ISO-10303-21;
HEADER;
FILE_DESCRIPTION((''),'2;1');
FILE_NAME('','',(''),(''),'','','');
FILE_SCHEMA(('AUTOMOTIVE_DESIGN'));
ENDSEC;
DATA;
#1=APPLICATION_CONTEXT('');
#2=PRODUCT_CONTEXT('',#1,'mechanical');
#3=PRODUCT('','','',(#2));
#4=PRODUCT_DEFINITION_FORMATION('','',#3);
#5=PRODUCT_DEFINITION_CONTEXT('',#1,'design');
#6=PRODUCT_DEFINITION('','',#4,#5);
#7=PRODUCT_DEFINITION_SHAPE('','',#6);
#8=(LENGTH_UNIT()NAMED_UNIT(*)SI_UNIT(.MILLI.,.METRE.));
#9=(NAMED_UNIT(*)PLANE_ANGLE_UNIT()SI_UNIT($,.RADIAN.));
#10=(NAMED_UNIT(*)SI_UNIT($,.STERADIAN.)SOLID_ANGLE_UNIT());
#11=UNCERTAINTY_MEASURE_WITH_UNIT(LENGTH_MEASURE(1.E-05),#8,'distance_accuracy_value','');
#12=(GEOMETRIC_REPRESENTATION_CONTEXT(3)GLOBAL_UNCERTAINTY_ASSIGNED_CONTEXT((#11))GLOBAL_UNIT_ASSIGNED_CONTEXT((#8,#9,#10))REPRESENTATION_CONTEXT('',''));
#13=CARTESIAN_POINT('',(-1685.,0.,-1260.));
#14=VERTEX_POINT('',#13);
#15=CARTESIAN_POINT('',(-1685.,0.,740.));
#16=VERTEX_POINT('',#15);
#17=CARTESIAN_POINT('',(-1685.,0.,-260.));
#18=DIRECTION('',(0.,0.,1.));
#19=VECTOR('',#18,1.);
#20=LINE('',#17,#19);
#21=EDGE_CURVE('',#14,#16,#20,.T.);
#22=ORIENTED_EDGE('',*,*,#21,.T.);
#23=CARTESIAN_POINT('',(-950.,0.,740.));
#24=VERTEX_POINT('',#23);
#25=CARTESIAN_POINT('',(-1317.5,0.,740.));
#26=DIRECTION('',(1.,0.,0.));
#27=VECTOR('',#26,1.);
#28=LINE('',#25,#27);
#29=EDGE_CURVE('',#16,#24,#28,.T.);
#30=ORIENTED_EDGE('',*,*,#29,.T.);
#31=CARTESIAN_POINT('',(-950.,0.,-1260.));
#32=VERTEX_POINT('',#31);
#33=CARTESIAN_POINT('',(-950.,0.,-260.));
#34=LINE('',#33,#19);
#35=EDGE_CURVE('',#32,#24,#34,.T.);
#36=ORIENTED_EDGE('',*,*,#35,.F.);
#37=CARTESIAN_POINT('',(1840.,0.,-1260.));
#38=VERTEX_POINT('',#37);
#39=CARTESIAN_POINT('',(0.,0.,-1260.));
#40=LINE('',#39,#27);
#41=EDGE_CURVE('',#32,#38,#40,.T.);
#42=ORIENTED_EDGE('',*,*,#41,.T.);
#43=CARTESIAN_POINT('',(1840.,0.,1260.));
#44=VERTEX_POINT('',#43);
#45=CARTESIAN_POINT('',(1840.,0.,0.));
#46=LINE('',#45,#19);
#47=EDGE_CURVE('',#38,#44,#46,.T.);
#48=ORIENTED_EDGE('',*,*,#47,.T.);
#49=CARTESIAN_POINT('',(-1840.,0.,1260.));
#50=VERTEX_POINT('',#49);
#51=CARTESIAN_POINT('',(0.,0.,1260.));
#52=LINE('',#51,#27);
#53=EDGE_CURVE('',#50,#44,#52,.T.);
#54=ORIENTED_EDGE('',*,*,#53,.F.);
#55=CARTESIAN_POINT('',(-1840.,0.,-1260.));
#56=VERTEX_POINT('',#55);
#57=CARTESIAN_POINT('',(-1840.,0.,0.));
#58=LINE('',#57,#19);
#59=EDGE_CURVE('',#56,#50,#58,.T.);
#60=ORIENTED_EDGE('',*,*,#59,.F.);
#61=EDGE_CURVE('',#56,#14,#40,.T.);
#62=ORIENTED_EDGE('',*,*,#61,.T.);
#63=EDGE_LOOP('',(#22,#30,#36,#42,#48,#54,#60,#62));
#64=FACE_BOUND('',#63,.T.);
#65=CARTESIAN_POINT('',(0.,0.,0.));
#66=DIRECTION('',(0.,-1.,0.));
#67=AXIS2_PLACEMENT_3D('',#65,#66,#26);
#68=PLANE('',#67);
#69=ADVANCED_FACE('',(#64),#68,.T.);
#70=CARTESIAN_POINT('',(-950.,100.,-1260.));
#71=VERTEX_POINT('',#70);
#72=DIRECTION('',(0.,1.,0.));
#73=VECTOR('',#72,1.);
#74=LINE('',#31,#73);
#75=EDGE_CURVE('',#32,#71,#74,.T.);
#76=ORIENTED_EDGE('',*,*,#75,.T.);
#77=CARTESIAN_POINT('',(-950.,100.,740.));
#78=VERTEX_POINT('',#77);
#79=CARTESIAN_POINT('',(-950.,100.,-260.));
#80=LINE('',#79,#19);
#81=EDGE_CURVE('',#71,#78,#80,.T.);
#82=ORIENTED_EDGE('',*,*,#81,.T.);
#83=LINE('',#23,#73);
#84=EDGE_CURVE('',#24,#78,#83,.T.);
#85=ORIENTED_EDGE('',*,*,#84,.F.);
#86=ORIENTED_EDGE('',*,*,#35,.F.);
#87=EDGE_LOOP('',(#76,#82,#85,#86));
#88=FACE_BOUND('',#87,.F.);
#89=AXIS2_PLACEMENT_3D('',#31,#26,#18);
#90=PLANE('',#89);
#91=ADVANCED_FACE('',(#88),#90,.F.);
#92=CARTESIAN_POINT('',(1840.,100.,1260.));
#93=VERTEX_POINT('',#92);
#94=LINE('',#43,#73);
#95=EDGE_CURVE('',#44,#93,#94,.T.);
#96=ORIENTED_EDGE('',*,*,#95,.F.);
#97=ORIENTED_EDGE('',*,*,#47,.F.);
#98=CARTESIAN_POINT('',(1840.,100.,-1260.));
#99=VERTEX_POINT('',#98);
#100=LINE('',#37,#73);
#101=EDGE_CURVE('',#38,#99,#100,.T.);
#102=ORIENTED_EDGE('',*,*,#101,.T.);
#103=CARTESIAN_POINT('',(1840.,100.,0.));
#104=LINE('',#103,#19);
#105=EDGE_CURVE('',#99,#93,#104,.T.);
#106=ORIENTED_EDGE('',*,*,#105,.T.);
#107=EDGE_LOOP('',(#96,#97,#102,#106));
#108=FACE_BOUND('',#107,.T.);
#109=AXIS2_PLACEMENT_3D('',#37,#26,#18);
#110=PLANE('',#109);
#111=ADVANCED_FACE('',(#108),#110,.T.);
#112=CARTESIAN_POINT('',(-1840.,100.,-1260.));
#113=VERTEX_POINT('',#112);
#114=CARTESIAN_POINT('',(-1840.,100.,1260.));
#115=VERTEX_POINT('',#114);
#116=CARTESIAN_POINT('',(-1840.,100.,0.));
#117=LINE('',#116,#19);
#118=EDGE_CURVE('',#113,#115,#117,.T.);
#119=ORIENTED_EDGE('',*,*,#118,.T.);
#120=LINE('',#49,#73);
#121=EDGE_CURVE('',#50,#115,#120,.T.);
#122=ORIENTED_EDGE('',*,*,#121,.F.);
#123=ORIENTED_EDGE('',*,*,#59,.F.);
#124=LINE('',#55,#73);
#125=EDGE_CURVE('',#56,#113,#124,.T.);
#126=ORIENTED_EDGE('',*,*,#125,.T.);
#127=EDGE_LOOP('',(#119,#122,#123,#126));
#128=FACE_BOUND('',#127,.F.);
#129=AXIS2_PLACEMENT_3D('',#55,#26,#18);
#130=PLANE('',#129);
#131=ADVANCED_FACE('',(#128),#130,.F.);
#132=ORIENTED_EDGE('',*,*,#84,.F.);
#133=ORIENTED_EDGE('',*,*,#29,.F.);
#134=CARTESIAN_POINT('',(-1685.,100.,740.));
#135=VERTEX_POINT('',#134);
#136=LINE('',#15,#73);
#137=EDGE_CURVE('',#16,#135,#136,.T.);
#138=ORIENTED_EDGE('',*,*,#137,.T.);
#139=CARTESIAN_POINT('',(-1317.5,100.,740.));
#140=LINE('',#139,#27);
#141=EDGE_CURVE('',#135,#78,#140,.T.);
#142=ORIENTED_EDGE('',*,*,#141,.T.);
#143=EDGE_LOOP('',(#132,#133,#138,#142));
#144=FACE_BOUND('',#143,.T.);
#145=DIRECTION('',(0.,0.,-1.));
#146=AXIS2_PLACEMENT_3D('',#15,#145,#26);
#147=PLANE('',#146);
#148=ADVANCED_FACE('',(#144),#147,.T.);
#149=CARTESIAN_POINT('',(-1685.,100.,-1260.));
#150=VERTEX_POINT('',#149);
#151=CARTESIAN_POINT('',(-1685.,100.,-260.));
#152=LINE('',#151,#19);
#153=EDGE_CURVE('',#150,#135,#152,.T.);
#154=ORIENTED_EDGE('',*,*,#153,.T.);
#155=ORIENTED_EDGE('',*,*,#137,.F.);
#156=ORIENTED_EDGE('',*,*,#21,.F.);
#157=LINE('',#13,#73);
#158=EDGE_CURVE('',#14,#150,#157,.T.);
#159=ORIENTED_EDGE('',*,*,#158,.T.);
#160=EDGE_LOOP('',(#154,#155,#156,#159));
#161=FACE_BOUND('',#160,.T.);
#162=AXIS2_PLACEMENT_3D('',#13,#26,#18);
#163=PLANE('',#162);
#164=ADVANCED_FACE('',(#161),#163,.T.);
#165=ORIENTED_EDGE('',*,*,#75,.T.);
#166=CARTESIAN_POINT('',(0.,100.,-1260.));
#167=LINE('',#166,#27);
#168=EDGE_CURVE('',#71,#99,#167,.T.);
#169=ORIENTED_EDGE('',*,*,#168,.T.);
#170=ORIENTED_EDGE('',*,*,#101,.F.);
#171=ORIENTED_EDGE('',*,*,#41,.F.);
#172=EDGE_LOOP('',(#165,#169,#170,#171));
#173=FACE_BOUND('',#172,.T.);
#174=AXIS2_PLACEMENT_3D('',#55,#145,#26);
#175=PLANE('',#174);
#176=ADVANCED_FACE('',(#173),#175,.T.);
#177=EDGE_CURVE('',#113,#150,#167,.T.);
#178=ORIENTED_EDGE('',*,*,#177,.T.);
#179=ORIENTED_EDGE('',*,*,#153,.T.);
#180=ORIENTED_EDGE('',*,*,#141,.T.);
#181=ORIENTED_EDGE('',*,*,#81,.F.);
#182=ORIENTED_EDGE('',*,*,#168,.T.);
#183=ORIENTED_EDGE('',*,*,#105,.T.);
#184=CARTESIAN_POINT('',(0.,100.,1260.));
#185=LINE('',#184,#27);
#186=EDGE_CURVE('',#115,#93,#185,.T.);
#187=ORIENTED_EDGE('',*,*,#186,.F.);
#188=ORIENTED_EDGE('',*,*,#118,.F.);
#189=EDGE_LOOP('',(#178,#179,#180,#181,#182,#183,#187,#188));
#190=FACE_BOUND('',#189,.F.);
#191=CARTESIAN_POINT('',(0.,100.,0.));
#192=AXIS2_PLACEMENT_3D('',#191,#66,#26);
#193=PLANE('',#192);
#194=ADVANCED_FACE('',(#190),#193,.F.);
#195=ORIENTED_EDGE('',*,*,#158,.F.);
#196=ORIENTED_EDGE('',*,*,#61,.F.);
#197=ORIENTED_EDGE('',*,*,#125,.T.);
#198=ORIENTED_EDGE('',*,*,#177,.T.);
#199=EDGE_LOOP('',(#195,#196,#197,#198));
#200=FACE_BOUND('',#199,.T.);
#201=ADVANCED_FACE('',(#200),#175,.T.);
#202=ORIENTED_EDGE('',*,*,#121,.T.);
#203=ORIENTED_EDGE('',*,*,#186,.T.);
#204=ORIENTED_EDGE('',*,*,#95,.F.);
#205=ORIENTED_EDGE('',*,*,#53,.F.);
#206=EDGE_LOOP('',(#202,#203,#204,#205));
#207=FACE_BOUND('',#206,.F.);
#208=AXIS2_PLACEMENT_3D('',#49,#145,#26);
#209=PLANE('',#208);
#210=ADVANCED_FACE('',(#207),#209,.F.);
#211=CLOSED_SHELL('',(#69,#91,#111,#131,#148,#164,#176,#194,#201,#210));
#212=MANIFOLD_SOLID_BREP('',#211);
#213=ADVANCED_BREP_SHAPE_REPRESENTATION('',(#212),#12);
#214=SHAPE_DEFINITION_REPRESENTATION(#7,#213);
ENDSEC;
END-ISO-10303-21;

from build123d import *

# Parameters (mm, degrees)
F0_W     = 3680
F0_H     = 2520
F1_DEPTH = 100
F2_W     = 735
F2_H     = 2000
F3_DEPTH = 100


with BuildPart() as f1:
    # F0 (on Front) → F1 (new body)
    with BuildSketch(Plane.XZ):
        Rectangle(F0_W, F0_H)
    extrude(amount=-F1_DEPTH)

    # F2 (on face) → F3 (cut)
    with BuildSketch(Plane.XZ):
        with Locations((-1317.5, -260)):
            Rectangle(F2_W, F2_H)
    extrude(amount=-F3_DEPTH, mode=Mode.SUBTRACT)


solid = f1.part
